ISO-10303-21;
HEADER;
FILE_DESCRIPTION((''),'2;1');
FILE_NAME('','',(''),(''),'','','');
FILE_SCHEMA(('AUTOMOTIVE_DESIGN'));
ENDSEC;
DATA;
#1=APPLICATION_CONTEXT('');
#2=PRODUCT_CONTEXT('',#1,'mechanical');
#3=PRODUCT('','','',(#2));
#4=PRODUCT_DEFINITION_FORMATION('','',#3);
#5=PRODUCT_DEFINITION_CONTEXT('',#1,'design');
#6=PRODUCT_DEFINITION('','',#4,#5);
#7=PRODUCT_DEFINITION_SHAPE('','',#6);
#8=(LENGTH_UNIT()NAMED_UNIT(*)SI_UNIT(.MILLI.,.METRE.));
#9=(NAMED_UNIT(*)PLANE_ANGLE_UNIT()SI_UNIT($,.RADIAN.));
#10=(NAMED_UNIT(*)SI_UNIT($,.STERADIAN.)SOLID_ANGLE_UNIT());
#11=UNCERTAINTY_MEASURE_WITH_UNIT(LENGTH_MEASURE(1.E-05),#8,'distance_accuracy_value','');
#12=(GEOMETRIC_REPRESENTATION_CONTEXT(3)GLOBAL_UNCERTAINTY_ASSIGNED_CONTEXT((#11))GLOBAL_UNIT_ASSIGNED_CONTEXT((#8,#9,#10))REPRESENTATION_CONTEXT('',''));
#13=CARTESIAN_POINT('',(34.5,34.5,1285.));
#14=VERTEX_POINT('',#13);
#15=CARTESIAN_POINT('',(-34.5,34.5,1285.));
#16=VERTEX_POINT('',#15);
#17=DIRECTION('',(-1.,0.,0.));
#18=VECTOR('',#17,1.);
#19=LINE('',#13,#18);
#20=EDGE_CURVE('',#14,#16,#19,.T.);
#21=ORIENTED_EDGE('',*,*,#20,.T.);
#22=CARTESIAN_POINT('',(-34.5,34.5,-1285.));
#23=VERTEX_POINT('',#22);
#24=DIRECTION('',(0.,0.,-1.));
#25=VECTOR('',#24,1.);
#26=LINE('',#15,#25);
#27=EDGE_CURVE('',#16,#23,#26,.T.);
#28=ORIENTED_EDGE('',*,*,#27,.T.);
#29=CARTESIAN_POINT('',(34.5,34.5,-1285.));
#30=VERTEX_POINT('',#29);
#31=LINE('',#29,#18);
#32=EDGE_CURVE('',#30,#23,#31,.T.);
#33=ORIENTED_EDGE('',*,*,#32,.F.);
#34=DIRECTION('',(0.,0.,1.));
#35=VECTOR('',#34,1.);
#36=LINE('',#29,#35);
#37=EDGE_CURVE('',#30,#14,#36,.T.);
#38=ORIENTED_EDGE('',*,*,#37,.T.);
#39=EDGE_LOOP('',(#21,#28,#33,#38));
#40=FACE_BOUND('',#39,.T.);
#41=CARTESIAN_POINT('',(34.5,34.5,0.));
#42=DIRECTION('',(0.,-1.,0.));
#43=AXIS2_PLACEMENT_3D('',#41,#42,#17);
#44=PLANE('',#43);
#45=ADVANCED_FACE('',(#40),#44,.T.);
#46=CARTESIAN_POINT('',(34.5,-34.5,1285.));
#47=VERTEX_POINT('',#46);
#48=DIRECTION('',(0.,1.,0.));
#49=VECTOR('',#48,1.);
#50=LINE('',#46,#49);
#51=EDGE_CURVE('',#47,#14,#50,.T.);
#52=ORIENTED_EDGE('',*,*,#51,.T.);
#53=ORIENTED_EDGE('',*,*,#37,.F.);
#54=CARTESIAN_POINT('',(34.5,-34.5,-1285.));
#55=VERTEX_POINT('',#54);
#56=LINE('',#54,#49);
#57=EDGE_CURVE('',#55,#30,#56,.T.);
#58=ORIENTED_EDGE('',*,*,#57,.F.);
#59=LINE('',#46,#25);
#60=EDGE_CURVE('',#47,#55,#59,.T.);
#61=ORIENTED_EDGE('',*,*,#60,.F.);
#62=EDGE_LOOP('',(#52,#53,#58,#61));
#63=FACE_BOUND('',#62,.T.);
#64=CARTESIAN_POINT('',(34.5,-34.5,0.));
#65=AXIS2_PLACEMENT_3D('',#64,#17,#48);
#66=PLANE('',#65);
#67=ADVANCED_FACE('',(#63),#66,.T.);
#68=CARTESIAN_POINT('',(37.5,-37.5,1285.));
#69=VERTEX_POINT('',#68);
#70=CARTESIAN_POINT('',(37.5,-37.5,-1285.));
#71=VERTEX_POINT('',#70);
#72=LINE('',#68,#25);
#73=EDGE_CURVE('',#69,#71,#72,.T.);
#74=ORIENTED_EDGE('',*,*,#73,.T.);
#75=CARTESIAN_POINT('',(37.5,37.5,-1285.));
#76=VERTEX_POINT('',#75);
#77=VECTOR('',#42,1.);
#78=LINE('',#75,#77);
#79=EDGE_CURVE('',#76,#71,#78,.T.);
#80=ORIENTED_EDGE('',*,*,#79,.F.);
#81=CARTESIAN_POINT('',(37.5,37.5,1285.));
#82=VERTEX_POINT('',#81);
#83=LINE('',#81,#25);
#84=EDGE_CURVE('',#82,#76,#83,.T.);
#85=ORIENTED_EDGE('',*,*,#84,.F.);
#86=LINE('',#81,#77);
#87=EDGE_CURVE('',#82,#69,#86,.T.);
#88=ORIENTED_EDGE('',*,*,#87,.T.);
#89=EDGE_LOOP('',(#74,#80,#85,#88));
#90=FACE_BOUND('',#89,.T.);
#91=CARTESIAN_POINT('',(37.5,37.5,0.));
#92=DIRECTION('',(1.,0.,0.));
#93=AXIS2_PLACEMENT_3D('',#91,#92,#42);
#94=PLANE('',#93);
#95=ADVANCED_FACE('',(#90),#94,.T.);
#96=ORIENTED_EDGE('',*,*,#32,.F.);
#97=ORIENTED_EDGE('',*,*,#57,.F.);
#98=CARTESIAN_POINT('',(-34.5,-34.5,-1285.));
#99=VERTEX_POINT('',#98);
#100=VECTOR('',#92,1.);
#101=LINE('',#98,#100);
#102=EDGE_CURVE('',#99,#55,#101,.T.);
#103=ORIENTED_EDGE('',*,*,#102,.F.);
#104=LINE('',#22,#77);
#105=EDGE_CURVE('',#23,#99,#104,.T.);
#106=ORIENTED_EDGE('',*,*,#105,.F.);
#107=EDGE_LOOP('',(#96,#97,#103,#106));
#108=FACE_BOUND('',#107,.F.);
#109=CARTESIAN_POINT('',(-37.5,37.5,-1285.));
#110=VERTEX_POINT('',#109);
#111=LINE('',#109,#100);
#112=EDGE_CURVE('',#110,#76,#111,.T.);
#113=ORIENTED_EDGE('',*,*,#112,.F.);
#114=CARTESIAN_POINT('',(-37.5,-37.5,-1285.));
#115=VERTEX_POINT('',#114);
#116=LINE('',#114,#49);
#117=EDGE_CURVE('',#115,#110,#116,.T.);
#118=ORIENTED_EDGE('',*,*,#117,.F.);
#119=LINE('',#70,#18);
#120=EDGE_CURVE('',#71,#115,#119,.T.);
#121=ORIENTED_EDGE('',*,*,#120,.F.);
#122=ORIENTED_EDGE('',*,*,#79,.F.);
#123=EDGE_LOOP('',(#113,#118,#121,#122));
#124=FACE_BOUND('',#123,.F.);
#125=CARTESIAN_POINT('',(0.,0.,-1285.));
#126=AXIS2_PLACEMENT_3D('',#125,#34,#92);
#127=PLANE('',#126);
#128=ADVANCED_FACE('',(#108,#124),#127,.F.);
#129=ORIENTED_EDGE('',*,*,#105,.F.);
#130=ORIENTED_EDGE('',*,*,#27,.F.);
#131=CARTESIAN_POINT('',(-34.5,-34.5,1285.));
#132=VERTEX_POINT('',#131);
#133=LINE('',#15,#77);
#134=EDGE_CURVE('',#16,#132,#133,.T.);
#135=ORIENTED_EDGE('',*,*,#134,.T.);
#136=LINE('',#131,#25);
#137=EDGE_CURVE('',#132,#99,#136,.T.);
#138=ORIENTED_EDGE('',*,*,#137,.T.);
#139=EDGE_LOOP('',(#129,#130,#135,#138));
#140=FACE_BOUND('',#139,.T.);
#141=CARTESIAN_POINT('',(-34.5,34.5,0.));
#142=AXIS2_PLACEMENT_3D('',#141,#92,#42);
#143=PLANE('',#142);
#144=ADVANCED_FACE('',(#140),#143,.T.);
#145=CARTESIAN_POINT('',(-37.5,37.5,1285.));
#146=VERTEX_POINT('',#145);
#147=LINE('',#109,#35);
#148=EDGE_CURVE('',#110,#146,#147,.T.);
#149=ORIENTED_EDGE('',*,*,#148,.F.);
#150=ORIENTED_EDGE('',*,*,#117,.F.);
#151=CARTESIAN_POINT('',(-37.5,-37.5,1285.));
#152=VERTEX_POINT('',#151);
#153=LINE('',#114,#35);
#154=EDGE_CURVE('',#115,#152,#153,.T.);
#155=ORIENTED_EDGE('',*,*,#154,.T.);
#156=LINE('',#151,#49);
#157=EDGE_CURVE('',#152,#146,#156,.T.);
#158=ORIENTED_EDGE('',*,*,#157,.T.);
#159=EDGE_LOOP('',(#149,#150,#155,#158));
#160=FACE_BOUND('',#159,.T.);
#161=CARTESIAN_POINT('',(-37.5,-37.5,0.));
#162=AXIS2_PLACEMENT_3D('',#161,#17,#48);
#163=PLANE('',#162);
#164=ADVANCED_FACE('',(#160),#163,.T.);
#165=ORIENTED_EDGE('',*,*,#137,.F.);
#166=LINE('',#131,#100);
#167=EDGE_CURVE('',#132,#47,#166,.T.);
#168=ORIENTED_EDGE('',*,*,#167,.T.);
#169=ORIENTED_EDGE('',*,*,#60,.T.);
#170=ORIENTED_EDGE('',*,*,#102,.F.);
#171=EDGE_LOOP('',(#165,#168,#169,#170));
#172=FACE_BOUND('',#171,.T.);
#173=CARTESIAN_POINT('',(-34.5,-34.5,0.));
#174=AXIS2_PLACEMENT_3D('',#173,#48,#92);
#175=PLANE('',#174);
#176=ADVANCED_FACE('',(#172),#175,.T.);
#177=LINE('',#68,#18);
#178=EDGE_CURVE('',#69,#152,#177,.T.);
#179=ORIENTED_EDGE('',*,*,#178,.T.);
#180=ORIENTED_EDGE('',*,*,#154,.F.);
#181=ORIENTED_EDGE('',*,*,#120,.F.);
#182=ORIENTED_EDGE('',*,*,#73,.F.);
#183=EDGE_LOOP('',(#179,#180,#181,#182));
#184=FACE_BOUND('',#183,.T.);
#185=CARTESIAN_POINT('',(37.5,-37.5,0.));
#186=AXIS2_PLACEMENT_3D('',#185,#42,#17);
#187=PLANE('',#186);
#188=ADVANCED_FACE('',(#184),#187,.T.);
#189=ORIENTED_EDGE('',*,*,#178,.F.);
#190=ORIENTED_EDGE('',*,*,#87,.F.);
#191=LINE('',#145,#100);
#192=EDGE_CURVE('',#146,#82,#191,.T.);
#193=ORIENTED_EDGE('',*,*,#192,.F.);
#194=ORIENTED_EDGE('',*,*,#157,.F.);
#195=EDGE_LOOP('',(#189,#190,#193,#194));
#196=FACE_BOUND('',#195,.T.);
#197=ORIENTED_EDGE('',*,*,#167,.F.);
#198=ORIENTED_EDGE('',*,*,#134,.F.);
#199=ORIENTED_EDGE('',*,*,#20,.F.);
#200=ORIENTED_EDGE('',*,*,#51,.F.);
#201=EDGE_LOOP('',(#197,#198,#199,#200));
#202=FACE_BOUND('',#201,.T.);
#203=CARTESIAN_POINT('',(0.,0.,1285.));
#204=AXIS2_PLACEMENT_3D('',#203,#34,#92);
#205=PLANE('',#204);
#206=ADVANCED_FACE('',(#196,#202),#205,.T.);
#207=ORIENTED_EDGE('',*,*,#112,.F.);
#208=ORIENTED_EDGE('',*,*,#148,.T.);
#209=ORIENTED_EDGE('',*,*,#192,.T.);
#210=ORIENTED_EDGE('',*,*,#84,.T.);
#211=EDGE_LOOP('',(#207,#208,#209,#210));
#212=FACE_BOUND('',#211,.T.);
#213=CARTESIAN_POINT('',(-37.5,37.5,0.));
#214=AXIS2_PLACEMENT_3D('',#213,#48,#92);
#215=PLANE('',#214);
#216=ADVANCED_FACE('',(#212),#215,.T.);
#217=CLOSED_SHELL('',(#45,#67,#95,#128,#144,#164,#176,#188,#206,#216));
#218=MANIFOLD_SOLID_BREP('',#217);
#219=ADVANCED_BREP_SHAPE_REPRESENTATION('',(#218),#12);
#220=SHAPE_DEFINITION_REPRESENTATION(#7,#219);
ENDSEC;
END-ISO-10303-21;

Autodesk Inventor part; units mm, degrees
ref_plane "YZ Plane" through (0, 0, 0) normal (1, 0, 0) x (0, 1, 0)
ref_plane "XZ Plane" through (0, 0, 0) normal (0, 1, 0) x (-1, 0, 0)
ref_plane "XY Plane" through (0, 0, 0) normal (0, 0, 1) x (1, 0, 0)
sketch "Boceto1" plane through (0, 0, 0) normal (0, 0, 1) x (1, 0, 0)
  line L0 (-37.5, 37.5) -> (37.5, 37.5)
  line L1 (37.5, 37.5) -> (37.5, -37.5)
  line L2 (37.5, -37.5) -> (-37.5, -37.5)
  line L3 (-37.5, -37.5) -> (-37.5, 37.5)
  line L4 (34.5, 34.5) -> (-34.5, 34.5)
  line L5 (-34.5, 34.5) -> (-34.5, -34.5)
  line L6 (-34.5, -34.5) -> (34.5, -34.5)
  line L7 (34.5, -34.5) -> (34.5, 34.5)
  point P0 (0, 0)
  dimension "d0" = 75
  dimension "d1" = 75
  dimension "d2" = 3
  dimension "d3" = 37.5
  dimension "d4" = 37.5
extrude "Extrusión1" add sketch "Boceto1" along normal mid plane 2570
equation "\"d0\" = width"
equation "\"d1\" = height"
equation "\"d2\" = t"
equation "\"d3\" = 0.5 * height"
equation "\"d4\" = 0.5 * width"
equation "\"d5\" = length"
equation "\"width\" = 75"
equation "\"height\" = 75"
equation "\"t\" = 3"
equation "\"length\" = 2570"
properties part number "250 STEEL PROFILE" material "Acero"
